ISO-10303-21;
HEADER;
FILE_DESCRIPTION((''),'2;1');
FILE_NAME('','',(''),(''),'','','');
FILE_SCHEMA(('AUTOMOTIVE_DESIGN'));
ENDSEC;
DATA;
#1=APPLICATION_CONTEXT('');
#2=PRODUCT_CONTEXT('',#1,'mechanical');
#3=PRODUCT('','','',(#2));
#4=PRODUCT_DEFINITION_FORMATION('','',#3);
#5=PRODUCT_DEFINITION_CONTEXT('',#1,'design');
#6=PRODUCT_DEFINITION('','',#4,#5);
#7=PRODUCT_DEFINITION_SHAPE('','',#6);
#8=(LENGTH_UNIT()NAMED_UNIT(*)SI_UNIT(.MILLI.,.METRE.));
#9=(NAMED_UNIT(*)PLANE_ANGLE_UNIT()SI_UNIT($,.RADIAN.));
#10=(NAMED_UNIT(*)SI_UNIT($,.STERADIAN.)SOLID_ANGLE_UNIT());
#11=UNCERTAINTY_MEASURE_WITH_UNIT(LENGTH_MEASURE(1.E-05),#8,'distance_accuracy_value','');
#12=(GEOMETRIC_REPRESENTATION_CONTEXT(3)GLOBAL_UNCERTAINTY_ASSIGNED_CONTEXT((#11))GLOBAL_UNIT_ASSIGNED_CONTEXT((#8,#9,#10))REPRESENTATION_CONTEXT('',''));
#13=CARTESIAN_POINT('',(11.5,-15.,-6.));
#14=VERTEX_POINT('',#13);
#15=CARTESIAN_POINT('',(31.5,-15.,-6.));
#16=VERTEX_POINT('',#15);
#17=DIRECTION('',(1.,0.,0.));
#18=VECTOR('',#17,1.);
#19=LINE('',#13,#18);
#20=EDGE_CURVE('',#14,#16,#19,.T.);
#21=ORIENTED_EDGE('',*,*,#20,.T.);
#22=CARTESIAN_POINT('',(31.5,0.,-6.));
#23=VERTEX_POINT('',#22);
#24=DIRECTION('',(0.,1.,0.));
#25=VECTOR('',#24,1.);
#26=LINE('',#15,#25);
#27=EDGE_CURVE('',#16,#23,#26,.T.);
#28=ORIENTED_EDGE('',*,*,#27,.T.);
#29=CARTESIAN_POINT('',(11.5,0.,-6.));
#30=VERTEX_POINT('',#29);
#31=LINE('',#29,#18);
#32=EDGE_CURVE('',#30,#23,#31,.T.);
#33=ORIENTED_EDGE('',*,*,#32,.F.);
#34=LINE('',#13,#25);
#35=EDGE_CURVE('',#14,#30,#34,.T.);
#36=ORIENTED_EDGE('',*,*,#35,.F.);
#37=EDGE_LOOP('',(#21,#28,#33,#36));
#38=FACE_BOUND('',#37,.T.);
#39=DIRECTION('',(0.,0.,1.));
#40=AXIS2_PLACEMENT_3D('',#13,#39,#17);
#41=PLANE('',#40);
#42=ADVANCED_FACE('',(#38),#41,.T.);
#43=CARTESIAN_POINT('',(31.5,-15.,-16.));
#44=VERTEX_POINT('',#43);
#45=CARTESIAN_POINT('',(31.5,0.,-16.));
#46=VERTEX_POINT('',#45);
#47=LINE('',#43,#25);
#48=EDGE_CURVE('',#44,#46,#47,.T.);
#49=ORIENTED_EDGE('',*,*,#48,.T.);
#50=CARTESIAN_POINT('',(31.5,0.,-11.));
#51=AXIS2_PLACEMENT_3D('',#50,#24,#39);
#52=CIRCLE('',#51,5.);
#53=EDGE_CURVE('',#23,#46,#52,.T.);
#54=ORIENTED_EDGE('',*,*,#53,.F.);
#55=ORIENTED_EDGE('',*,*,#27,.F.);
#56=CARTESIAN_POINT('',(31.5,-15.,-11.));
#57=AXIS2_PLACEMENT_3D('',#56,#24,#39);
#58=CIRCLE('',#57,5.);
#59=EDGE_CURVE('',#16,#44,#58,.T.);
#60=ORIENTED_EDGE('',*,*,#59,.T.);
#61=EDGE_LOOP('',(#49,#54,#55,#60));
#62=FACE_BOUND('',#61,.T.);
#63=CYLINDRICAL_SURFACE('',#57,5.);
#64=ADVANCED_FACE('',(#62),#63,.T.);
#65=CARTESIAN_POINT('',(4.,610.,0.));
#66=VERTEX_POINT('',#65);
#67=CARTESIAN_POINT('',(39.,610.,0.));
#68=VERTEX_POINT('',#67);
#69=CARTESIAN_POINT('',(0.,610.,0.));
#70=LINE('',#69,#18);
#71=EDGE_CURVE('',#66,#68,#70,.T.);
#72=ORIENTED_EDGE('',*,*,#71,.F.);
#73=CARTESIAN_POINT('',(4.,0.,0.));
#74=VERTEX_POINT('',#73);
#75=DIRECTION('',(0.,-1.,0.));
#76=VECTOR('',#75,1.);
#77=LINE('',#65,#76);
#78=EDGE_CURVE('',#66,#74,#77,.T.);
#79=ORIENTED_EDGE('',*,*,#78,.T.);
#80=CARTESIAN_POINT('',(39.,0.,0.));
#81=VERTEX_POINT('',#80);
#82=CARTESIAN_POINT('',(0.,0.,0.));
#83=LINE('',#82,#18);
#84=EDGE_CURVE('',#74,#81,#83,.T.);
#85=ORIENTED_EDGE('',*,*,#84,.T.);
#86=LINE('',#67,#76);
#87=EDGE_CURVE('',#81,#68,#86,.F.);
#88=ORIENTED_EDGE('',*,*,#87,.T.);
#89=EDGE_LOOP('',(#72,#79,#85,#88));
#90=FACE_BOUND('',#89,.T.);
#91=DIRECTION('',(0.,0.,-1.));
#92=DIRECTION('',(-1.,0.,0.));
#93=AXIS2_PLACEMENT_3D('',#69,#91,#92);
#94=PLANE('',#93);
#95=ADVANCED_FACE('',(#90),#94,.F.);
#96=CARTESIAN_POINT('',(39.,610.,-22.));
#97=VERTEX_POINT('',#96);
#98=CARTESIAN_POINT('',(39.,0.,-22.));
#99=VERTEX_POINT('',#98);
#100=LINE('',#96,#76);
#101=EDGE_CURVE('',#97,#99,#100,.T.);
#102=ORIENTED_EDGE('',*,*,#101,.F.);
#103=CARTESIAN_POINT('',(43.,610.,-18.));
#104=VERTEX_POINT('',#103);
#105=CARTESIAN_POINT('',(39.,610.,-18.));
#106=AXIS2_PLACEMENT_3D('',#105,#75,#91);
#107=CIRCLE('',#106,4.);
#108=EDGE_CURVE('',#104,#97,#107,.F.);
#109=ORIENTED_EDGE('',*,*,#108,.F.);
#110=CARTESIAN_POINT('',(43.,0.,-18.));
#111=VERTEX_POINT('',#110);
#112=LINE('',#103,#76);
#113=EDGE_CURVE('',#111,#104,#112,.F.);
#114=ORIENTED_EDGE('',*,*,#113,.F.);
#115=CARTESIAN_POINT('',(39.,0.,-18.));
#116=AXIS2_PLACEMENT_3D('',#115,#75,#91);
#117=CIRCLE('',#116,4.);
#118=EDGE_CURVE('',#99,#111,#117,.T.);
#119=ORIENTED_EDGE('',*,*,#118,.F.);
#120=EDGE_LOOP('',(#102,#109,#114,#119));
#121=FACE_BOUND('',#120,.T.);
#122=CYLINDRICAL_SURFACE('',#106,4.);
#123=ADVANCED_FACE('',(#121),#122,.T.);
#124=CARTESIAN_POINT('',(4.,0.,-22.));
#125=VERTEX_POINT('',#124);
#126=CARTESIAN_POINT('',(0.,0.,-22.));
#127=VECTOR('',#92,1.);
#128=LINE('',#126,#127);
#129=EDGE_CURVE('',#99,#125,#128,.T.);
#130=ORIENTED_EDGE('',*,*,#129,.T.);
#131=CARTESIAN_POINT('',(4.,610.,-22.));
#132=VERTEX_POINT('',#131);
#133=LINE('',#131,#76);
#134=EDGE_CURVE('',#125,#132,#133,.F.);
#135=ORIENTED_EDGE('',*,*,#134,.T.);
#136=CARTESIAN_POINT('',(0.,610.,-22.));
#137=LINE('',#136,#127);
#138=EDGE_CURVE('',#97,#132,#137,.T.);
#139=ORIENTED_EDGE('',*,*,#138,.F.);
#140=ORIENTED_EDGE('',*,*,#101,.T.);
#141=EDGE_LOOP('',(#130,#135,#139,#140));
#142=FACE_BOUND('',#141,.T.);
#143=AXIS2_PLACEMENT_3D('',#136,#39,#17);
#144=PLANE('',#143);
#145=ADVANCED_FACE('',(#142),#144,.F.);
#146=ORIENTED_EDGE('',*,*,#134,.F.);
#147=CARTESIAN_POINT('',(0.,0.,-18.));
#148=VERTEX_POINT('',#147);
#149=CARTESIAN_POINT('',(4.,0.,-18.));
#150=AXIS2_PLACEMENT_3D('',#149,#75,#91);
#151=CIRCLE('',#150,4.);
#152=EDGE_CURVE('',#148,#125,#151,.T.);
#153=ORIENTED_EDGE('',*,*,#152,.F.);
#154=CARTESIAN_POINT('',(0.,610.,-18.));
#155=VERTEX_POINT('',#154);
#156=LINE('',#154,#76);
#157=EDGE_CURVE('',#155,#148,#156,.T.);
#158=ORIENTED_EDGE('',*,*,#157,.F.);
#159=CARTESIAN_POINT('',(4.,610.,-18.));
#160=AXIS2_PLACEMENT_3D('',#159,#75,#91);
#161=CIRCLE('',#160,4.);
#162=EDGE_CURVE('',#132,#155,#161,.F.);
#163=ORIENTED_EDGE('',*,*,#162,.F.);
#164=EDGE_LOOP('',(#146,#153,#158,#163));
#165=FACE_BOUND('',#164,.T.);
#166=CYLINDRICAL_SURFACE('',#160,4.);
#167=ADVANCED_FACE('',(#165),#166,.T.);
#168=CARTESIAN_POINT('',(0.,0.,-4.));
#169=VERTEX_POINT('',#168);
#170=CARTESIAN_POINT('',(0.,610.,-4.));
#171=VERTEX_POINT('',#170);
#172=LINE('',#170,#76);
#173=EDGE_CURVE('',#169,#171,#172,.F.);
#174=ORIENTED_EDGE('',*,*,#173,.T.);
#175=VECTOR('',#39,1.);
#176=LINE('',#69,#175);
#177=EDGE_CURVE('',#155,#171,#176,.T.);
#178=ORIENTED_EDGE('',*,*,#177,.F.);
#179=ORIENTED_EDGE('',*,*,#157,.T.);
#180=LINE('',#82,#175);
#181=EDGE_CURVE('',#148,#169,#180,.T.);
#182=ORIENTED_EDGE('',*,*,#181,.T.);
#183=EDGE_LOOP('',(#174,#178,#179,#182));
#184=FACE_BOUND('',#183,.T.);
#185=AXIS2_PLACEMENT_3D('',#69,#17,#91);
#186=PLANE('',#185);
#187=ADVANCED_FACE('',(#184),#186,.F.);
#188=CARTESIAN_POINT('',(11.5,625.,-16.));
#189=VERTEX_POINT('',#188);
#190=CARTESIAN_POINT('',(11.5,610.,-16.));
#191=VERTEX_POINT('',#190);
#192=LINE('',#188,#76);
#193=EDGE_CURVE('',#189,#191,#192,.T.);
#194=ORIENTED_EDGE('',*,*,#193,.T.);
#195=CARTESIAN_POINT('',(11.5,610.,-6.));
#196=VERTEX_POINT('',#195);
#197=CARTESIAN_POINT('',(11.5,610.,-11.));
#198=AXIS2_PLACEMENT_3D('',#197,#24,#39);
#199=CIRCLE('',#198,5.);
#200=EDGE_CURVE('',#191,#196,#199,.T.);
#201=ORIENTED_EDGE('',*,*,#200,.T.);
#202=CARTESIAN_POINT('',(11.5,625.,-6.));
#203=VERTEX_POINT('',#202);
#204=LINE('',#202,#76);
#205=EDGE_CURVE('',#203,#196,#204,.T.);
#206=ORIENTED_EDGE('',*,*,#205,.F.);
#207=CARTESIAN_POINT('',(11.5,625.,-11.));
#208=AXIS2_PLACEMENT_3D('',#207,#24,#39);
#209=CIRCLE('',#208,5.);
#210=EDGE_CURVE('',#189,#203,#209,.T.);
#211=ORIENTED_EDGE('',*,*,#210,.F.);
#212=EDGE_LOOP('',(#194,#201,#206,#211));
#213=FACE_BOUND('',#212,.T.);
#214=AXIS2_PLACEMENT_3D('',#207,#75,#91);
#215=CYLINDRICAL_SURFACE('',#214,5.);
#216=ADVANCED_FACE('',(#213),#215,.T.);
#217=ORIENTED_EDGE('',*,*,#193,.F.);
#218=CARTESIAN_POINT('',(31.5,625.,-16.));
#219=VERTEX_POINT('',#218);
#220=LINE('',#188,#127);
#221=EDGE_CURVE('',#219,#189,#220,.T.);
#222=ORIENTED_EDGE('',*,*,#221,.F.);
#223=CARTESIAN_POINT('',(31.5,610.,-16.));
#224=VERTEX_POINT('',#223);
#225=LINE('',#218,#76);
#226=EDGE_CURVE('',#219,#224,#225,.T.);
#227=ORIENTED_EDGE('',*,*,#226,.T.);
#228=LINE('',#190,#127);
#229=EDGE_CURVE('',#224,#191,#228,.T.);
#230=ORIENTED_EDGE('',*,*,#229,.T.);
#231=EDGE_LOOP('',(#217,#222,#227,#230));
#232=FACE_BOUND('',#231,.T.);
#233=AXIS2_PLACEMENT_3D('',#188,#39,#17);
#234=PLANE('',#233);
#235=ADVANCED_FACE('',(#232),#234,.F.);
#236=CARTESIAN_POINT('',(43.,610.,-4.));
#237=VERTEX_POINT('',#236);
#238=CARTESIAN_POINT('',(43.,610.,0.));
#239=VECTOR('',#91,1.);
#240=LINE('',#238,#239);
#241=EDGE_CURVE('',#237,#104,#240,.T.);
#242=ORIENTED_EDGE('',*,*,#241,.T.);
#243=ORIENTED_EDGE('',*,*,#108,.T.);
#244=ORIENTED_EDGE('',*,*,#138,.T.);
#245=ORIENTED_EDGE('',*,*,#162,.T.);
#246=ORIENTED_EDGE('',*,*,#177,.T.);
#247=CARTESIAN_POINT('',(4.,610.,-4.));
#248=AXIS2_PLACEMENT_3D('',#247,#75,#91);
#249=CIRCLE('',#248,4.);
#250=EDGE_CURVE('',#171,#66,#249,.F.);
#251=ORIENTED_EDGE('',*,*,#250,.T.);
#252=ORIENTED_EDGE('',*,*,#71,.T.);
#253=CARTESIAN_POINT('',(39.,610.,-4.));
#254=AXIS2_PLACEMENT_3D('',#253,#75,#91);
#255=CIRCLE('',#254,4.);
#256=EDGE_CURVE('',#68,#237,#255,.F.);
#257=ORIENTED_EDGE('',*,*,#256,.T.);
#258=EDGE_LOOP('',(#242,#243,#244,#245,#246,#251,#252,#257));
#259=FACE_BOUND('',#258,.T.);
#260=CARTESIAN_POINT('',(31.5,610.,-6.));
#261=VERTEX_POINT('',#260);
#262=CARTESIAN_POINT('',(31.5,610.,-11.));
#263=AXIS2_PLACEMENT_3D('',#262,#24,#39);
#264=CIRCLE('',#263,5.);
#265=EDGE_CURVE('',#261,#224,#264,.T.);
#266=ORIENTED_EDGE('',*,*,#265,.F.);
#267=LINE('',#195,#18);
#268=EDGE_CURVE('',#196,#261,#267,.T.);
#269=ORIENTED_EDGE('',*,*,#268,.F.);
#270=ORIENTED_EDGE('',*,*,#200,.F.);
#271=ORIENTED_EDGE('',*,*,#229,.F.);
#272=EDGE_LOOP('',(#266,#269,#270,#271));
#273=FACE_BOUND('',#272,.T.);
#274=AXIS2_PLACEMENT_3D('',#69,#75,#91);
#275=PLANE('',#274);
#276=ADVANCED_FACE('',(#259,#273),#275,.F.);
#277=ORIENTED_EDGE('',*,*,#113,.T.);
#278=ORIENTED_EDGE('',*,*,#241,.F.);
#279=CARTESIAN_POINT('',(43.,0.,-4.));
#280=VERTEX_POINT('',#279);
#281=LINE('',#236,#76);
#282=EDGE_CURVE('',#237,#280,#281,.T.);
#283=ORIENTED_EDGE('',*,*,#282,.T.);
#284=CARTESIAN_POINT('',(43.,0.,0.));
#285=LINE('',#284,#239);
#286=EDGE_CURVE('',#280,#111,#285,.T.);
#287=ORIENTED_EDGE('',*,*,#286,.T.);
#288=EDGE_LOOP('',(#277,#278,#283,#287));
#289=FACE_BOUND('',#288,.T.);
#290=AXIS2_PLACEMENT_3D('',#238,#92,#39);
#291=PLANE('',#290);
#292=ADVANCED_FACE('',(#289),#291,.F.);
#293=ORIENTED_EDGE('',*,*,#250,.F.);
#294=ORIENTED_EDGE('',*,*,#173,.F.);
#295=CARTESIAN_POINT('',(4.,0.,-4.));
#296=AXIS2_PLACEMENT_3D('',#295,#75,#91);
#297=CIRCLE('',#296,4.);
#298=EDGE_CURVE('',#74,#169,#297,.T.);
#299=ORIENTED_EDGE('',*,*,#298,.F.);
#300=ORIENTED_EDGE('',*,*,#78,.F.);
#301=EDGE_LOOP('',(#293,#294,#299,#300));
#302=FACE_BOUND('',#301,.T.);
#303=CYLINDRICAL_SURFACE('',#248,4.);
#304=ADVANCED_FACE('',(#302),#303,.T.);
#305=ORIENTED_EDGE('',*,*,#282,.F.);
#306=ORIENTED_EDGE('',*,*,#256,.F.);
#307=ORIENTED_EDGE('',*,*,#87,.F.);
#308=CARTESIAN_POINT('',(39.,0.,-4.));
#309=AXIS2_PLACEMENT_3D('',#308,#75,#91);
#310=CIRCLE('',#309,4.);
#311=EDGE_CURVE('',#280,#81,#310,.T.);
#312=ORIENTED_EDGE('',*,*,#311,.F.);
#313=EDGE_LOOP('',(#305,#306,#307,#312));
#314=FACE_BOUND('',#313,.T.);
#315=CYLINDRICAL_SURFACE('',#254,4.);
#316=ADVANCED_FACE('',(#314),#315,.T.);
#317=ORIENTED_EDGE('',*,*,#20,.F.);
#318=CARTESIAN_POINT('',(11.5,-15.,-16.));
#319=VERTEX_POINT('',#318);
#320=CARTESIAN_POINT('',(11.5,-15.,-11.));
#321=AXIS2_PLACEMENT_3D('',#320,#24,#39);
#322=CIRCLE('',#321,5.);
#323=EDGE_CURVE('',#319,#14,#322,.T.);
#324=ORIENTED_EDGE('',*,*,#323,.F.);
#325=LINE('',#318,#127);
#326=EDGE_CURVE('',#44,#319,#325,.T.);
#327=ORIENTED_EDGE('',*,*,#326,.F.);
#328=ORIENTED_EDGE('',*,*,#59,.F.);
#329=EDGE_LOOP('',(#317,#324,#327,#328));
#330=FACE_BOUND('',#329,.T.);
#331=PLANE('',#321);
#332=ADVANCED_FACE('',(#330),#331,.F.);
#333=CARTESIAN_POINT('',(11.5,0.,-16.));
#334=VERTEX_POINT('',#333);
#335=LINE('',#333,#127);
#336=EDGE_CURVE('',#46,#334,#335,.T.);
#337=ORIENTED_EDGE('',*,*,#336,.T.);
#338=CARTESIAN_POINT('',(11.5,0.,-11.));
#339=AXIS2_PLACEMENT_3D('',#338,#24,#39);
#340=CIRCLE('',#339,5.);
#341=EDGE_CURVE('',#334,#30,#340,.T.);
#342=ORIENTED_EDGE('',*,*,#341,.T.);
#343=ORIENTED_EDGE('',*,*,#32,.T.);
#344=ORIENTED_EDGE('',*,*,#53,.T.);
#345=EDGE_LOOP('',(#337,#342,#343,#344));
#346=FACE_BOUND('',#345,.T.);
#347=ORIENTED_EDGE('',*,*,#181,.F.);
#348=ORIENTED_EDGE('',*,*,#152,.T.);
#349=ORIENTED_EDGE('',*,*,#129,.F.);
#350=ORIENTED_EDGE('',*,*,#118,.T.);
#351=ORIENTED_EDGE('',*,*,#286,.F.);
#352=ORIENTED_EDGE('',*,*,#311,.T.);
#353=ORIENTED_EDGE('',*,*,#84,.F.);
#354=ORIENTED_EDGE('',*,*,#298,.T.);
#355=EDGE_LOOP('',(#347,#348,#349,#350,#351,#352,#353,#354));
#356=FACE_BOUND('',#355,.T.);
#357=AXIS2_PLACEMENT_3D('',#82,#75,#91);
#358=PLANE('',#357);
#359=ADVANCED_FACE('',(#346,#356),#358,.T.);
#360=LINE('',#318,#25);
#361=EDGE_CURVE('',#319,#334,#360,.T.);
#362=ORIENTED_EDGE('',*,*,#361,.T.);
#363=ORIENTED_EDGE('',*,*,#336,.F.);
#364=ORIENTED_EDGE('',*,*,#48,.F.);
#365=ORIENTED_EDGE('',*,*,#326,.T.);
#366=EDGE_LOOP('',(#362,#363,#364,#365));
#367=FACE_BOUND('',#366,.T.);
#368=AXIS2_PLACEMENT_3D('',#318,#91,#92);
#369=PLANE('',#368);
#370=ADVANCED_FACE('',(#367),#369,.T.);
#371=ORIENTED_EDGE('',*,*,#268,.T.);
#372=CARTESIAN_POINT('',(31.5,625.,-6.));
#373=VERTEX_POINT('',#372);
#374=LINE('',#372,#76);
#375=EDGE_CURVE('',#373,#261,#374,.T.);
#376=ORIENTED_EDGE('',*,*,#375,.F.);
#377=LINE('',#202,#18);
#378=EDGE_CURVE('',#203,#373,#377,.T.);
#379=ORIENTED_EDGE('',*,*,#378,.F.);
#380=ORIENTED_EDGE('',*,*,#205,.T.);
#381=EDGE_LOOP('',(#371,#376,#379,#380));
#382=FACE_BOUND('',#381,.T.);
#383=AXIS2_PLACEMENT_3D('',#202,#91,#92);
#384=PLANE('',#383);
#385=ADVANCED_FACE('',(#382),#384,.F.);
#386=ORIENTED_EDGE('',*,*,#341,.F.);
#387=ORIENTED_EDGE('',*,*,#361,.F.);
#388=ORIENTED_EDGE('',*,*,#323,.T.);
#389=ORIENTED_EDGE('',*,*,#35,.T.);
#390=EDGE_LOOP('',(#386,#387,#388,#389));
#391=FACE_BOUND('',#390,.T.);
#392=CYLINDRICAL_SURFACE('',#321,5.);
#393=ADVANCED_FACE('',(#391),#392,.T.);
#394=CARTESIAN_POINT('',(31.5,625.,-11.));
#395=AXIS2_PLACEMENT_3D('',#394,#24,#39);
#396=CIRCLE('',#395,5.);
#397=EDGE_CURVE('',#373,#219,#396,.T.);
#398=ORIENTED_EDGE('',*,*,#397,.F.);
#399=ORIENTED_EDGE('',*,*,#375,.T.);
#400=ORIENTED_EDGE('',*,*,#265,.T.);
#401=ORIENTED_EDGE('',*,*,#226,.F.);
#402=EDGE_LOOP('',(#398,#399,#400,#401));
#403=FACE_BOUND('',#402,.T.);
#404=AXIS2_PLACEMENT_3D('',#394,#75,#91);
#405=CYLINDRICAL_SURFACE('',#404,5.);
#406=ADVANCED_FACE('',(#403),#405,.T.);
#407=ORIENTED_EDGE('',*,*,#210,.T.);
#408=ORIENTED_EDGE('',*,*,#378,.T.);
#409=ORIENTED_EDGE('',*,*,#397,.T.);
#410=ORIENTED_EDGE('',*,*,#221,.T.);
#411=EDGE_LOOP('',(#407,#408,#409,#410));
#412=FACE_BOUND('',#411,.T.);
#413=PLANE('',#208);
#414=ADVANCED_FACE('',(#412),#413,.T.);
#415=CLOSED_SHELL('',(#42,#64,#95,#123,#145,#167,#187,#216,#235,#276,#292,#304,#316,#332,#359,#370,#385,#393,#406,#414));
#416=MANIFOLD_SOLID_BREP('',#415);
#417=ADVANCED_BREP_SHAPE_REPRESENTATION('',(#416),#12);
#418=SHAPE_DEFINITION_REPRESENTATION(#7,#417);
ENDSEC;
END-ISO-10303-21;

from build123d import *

# Parameters (mm, degrees)
ESQUISSE1_W        = 43
ESQUISSE1_H        = 22
BOSS_EXTRU_1_DEPTH = 610
BOSS_EXTRU_2_DEPTH = 15
BOSS_EXTRU_3_START = -625
BOSS_EXTRU_3_DEPTH = 15
CONG_1_R           = 4


with BuildPart() as part:
    # Esquisse1 → Boss.-Extru.1 (new body)
    with BuildSketch(Plane(origin=(0, 0, 0), x_dir=(1, 0, 0), z_dir=(0, 1, 0))):
        with Locations((21.5, 11)):
            Rectangle(ESQUISSE1_W, ESQUISSE1_H)
    extrude(amount=BOSS_EXTRU_1_DEPTH)

    # Esquisse2 → Boss.-Extru.2 (add)
    with BuildSketch(Plane(origin=(0, 610, 0), x_dir=(1, 0, 0), z_dir=(0, 1, 0))):
        with BuildLine():
            Line((11.5, 16), (31.5, 16))
            ThreePointArc((31.5, 16), (36.5, 11), (31.5, 6))
            Line((31.5, 6), (11.5, 6))
            ThreePointArc((11.5, 6), (6.5, 11), (11.5, 16))
        make_face()
    extrude(amount=BOSS_EXTRU_2_DEPTH)

    # Esquisse2<2> → Boss.-Extru.3 (add)
    with BuildSketch(Plane(origin=(0, 610, 0), x_dir=(1, 0, 0), z_dir=(0, 1, 0)).offset(BOSS_EXTRU_3_START)):
        with BuildLine():
            Line((11.5, 16), (31.5, 16))
            ThreePointArc((31.5, 16), (36.5, 11), (31.5, 6))
            Line((31.5, 6), (11.5, 6))
            ThreePointArc((11.5, 6), (6.5, 11), (11.5, 16))
        make_face()
    extrude(amount=BOSS_EXTRU_3_DEPTH)

    # Congé1
    cong_1_edges = [part.edges().sort_by_distance(p)[0] for p in [
        (0, 305, -22),
        (43, 305, -22),
        (43, 305, 0),
        (0, 305, 0),
    ]]
    fillet(cong_1_edges, radius=CONG_1_R)


solid = part.part
